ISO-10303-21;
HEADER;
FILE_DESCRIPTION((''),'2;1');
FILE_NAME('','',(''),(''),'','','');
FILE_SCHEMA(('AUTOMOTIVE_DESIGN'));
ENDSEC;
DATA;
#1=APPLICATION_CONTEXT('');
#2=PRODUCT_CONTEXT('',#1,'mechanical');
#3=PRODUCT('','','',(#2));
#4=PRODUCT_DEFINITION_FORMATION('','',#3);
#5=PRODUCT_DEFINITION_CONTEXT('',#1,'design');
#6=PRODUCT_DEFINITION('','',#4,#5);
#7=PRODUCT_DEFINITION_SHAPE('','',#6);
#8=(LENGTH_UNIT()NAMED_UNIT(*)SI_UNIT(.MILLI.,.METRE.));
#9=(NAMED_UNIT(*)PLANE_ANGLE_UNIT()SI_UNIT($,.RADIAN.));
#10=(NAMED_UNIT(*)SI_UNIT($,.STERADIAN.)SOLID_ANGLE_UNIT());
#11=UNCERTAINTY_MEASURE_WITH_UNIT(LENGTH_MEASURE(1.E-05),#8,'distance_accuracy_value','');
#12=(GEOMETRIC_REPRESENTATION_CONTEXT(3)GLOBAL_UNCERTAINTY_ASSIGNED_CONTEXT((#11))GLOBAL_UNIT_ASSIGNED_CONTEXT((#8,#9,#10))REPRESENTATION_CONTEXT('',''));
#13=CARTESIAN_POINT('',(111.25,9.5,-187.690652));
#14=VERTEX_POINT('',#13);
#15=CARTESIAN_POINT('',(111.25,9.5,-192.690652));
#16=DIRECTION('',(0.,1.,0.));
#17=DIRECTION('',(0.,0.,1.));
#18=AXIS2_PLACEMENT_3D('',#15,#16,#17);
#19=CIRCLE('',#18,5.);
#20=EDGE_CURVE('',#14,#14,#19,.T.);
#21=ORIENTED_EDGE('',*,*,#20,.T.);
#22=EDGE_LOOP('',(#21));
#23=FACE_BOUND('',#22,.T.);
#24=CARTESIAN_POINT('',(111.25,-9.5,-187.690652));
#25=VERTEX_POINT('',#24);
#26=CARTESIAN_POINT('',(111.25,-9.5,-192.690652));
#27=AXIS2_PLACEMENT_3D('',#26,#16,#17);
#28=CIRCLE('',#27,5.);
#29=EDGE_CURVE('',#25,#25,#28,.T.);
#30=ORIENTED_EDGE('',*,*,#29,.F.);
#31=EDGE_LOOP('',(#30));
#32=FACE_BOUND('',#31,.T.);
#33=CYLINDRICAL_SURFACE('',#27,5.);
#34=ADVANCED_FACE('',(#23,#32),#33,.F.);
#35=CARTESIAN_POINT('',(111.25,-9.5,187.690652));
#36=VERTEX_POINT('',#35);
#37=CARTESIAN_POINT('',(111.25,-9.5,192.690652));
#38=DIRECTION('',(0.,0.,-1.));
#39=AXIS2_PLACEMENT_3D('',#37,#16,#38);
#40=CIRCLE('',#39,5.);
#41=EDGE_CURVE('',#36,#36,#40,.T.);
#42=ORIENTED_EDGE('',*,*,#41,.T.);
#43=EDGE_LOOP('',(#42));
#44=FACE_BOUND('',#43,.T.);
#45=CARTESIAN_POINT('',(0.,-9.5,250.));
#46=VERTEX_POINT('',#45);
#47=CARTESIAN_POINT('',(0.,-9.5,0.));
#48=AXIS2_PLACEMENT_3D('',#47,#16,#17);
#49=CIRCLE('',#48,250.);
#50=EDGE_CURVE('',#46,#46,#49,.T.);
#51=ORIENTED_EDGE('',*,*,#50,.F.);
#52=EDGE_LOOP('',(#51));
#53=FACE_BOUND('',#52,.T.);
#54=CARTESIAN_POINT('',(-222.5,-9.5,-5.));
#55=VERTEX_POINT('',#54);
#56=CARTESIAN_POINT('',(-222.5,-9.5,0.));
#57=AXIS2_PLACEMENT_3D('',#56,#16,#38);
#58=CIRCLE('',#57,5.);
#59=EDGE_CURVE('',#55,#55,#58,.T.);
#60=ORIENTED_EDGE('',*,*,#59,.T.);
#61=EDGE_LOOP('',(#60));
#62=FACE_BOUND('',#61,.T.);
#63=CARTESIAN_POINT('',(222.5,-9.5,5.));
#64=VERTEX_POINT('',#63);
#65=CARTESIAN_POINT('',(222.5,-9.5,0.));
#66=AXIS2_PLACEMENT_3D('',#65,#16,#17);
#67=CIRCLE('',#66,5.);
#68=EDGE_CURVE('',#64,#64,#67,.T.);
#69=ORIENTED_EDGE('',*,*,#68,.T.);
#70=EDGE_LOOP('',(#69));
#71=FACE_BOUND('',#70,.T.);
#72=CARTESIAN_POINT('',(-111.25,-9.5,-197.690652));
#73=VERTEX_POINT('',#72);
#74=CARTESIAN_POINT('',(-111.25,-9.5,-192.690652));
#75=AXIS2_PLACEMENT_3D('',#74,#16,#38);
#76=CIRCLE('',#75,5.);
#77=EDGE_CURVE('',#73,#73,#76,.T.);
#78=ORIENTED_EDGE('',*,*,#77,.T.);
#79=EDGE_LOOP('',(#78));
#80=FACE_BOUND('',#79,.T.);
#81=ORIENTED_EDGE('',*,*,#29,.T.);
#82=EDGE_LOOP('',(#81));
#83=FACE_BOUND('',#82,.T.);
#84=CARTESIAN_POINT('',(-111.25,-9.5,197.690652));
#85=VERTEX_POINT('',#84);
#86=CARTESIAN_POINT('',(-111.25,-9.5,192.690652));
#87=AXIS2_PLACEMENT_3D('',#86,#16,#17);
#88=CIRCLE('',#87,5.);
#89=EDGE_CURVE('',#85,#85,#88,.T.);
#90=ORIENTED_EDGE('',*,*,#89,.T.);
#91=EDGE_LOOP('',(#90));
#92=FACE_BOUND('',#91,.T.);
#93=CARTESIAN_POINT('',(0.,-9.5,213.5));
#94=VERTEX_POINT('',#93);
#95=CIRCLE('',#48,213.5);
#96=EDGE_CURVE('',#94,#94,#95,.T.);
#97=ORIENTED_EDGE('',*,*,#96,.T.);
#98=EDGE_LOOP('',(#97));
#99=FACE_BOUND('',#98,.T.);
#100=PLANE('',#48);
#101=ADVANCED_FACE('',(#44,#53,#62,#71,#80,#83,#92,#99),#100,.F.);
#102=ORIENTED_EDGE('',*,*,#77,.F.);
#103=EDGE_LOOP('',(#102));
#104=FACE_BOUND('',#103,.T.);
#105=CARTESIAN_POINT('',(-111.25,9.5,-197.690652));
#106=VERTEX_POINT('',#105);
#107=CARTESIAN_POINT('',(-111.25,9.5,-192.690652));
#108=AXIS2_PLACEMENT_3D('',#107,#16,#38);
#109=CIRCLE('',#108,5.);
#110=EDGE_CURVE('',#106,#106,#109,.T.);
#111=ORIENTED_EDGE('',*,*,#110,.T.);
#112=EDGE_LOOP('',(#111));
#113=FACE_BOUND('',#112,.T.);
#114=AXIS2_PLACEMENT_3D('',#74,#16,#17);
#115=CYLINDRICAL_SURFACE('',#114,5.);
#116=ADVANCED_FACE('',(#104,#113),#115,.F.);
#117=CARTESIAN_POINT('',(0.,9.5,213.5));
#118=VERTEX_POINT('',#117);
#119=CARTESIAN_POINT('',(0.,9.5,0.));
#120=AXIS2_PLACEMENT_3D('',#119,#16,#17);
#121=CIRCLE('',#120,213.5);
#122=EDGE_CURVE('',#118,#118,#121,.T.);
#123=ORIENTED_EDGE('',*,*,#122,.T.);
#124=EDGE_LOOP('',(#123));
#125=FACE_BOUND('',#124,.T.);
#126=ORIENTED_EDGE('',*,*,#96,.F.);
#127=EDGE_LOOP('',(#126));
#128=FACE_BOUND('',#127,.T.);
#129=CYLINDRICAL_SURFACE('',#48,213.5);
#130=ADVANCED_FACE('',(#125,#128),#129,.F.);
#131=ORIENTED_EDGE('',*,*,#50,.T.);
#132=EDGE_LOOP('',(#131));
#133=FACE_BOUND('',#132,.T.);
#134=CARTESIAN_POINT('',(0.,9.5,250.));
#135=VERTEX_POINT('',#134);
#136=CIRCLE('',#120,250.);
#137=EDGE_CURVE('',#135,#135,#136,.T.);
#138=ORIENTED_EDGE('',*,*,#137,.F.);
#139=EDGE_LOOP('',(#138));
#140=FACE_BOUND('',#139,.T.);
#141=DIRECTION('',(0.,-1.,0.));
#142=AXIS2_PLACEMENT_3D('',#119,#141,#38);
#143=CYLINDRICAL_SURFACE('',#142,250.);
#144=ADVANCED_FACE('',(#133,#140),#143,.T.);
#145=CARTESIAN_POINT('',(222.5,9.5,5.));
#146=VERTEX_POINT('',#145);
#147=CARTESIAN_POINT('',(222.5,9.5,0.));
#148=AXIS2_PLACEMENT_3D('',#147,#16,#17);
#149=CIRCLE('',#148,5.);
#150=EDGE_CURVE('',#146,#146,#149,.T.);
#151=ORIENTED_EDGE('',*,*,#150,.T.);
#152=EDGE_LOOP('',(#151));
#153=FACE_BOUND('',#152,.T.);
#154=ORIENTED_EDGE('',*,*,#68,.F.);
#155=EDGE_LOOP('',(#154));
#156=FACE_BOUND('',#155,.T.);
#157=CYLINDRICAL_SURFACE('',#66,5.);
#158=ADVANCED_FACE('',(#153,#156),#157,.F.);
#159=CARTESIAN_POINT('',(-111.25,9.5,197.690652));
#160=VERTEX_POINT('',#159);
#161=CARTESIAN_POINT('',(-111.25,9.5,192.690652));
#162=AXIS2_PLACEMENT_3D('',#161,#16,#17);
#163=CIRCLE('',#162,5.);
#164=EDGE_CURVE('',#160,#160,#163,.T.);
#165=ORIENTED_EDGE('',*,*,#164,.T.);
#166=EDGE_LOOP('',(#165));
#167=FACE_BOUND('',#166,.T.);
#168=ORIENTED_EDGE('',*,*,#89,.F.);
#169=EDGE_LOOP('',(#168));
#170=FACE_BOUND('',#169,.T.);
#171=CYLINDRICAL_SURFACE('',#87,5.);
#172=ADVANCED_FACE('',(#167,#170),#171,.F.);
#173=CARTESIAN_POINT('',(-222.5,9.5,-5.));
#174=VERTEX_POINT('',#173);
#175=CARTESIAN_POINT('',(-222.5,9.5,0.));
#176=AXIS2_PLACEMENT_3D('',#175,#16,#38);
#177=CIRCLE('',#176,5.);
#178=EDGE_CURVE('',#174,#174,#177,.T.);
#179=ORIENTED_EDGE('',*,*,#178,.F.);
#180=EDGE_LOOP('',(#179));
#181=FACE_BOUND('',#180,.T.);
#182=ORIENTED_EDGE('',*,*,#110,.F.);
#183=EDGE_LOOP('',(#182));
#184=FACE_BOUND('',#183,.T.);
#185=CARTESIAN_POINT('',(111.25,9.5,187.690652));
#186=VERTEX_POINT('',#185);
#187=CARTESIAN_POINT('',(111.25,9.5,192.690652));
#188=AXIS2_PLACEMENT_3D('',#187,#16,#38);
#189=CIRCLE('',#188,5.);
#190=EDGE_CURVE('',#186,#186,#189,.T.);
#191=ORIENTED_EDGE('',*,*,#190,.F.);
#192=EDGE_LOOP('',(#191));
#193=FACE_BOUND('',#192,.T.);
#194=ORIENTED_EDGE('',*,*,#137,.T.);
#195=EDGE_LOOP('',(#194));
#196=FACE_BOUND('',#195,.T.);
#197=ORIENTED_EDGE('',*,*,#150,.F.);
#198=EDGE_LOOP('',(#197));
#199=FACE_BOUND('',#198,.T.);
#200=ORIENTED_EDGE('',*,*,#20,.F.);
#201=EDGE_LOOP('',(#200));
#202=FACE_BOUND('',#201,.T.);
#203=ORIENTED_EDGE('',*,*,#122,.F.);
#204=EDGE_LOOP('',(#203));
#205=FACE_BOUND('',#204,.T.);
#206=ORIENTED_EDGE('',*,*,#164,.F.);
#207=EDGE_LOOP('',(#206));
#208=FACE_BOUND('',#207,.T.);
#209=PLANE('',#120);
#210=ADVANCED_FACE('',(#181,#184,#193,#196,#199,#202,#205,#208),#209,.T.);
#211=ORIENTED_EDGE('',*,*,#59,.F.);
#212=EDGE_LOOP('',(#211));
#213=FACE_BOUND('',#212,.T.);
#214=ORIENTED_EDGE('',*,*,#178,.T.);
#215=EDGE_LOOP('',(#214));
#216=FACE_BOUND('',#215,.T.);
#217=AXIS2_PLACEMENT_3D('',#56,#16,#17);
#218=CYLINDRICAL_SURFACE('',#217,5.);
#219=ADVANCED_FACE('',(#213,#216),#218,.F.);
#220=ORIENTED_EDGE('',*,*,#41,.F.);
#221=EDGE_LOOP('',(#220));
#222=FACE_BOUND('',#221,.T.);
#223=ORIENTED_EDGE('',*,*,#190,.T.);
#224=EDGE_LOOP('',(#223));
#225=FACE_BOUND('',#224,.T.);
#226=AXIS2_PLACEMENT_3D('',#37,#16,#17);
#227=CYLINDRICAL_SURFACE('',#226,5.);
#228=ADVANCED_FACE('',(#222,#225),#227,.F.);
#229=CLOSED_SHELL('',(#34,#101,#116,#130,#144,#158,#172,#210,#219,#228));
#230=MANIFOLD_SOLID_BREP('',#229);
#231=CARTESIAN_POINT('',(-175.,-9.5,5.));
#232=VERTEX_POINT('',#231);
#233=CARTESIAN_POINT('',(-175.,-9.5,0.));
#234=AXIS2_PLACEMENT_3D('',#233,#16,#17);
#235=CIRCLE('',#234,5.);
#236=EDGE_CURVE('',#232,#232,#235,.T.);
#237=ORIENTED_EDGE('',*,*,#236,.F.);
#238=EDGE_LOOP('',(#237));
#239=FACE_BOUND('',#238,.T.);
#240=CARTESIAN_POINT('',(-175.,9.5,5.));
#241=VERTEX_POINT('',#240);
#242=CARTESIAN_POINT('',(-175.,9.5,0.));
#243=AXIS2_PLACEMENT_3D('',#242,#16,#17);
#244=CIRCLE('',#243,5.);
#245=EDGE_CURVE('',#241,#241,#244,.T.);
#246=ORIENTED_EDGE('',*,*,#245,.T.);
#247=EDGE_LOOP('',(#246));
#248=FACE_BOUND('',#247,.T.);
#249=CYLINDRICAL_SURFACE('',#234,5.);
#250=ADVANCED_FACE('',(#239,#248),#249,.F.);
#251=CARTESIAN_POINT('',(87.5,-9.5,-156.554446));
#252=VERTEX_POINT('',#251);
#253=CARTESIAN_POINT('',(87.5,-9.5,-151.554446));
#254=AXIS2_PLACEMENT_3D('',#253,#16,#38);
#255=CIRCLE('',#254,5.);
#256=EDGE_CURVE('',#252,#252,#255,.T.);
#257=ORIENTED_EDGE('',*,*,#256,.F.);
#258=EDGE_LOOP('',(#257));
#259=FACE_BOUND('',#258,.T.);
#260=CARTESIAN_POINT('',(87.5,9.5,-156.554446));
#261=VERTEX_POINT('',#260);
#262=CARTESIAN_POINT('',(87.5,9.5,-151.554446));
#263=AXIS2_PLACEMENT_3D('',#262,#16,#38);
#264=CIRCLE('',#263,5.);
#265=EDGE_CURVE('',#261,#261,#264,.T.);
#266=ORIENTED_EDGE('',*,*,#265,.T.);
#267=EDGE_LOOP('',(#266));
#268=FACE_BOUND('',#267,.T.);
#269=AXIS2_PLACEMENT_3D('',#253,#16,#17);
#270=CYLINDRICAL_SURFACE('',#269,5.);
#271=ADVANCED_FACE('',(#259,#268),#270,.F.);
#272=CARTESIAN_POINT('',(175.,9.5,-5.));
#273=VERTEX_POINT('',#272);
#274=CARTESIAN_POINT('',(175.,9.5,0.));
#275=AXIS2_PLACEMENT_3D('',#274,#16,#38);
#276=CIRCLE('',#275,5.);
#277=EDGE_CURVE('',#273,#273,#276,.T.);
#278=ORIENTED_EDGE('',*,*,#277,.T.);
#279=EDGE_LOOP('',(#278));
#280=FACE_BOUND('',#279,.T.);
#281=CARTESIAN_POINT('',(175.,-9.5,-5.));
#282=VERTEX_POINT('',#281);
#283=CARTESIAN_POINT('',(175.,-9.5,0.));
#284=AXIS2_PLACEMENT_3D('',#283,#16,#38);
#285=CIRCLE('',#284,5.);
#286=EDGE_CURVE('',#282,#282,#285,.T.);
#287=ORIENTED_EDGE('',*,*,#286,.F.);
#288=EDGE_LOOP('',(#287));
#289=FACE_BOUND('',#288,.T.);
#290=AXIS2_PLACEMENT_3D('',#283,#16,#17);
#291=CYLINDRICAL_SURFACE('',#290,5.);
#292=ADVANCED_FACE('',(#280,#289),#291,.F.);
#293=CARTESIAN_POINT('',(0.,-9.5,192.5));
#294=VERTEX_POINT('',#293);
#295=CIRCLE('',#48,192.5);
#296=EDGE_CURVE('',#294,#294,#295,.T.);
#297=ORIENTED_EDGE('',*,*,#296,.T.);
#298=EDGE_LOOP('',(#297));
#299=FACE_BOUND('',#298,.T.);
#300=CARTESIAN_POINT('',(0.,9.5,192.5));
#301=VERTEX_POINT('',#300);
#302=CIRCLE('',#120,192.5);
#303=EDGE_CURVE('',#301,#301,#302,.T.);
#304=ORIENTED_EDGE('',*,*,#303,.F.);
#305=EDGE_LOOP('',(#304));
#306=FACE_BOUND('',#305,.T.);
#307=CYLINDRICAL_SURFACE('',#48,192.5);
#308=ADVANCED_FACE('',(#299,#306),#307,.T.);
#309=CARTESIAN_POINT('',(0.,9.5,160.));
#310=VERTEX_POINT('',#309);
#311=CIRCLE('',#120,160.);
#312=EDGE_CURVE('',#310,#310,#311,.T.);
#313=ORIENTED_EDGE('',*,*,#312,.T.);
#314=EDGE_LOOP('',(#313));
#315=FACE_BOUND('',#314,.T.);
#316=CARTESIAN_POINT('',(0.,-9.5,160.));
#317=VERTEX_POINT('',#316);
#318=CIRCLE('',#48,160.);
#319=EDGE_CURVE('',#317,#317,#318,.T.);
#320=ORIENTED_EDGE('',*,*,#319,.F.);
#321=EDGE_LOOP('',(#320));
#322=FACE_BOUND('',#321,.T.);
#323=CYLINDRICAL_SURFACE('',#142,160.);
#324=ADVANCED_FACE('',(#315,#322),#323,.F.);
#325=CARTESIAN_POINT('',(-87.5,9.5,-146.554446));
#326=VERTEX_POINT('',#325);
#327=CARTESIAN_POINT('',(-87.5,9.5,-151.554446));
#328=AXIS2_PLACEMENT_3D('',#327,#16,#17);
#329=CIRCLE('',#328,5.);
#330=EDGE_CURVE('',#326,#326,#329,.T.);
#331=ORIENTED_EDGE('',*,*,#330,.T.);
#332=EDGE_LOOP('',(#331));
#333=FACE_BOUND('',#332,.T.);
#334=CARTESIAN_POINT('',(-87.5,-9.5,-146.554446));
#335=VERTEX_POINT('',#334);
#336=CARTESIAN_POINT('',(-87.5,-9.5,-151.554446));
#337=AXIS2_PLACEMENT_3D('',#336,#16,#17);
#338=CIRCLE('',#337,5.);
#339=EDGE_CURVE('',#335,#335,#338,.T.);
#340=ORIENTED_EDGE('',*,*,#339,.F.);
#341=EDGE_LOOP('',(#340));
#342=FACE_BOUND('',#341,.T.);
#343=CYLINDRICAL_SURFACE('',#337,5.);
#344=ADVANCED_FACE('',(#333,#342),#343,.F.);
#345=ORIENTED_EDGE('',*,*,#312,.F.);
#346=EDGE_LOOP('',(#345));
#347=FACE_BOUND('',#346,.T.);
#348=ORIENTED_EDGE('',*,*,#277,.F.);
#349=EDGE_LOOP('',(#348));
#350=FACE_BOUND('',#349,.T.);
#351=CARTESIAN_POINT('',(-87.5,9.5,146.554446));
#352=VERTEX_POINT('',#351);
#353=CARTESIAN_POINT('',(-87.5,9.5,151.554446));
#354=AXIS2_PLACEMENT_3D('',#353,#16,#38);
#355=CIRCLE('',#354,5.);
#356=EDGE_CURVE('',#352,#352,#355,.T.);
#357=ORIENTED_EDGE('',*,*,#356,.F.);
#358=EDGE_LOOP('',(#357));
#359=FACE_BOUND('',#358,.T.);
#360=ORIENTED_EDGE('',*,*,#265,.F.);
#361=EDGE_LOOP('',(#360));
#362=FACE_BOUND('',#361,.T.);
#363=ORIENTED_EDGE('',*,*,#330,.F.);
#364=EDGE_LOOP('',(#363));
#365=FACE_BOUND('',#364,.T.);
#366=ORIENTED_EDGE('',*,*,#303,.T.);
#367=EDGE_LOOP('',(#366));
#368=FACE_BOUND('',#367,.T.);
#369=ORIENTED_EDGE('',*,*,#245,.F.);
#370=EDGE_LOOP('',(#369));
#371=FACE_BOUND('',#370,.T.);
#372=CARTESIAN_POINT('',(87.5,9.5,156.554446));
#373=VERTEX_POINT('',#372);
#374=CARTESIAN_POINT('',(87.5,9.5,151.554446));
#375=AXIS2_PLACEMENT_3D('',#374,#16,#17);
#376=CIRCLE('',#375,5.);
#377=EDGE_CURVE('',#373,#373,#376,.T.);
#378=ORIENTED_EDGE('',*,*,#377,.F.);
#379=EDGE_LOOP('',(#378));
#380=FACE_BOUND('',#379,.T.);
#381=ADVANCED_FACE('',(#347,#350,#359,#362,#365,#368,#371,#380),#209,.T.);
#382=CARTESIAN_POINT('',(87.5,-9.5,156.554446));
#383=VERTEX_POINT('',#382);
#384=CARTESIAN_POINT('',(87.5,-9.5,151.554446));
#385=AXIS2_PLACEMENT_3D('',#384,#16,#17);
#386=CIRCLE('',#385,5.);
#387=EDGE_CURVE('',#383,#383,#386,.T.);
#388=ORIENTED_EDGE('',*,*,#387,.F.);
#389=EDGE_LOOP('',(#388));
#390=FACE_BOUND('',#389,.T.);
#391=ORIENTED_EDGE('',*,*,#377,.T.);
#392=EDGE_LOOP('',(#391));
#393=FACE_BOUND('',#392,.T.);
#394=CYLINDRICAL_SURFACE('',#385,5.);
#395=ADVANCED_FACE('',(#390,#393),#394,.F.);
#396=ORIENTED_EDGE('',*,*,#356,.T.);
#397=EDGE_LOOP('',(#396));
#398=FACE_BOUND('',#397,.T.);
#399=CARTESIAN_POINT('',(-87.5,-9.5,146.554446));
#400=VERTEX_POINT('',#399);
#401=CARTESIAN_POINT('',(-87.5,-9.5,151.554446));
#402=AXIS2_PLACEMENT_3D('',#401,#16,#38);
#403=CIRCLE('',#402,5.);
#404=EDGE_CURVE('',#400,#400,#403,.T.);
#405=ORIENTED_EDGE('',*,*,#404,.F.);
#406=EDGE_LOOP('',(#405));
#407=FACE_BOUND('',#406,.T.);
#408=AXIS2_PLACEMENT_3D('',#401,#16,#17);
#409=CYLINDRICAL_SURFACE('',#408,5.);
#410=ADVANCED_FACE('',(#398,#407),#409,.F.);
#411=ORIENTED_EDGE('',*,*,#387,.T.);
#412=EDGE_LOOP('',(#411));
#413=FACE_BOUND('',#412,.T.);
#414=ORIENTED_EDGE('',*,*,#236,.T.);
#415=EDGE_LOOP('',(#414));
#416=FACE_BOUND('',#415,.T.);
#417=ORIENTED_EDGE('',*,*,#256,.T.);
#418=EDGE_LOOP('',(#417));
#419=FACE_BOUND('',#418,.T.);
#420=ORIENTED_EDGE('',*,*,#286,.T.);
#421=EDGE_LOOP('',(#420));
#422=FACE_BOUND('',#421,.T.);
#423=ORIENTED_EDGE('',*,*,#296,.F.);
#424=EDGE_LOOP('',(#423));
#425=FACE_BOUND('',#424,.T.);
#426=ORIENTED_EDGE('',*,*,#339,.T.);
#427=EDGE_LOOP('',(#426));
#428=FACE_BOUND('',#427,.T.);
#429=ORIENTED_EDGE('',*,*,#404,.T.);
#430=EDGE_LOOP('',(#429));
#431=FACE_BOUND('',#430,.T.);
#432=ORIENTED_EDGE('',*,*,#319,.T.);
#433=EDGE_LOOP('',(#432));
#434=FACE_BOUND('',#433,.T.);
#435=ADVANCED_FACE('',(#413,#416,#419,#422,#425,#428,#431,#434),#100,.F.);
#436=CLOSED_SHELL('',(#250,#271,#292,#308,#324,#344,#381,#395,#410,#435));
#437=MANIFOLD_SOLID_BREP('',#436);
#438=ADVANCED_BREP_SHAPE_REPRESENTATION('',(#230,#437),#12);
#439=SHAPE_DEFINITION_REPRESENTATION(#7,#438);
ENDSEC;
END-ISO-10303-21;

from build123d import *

# Parameters (mm, degrees)
SKETCH1_R           = 250
SKETCH1_R_2         = 160
BOSS_EXTRUDE1_DEPTH = 9.5
SKETCH2_R           = 213.5
SKETCH2_R_2         = 192.5
SKETCH2_R_3         = 5
CUT_EXTRUDE1_DEPTH  = 355.063553617
SKETCH3_R           = 5
CUT_EXTRUDE2_DEPTH  = 355.063553617


with BuildPart() as part:
    # Sketch1 → Boss-Extrude1 (new, symmetric)
    with BuildSketch(Plane(origin=(0, 0, 0), x_dir=(1, 0, 0), z_dir=(0, 1, 0))):
        with Locations(Location((0, 0, 0), (0, 0, 270))):
            Circle(SKETCH1_R)
        with Locations(Location((0, 0, 0), (0, 0, 270))):
            Circle(SKETCH1_R_2, mode=Mode.SUBTRACT)
    extrude(amount=BOSS_EXTRUDE1_DEPTH, both=True)

    # Sketch2 → Cut-Extrude1 (cut, through all)
    # profile 1 of 7: a face of its own
    with BuildSketch(Plane(origin=(0, 9.5, 0), x_dir=(1, 0, 0), z_dir=(0, 1, 0))):
        with Locations(Location((0, 0, 0), (0, 0, 270))):
            Circle(SKETCH2_R)
        with Locations(Location((0, 0, 0), (0, 0, 270))):
            Circle(SKETCH2_R_2, mode=Mode.SUBTRACT)
    # profile 2 of 7: a face of its own
    with BuildSketch(Plane(origin=(0, 9.5, 0), x_dir=(1, 0, 0), z_dir=(0, 1, 0))):
        with Locations(Location((111.25, 192.690652342, 0), (0, 0, 270))):
            Circle(SKETCH2_R_3)
    # profile 3 of 7: a face of its own
    with BuildSketch(Plane(origin=(0, 9.5, 0), x_dir=(1, 0, 0), z_dir=(0, 1, 0))):
        with Locations(Location((222.5, 0, 0), (0, 0, 270))):
            Circle(SKETCH2_R_3)
    # profile 4 of 7: a face of its own
    with BuildSketch(Plane(origin=(0, 9.5, 0), x_dir=(1, 0, 0), z_dir=(0, 1, 0))):
        with Locations(Location((-222.5, 0, 0), (0, 0, 90))):
            Circle(SKETCH2_R_3)
    # profile 5 of 7: a face of its own
    with BuildSketch(Plane(origin=(0, 9.5, 0), x_dir=(1, 0, 0), z_dir=(0, 1, 0))):
        with Locations(Location((-111.25, 192.690652342, 0), (0, 0, 90))):
            Circle(SKETCH2_R_3)
    # profile 6 of 7: a face of its own
    with BuildSketch(Plane(origin=(0, 9.5, 0), x_dir=(1, 0, 0), z_dir=(0, 1, 0))):
        with Locations(Location((111.25, -192.690652342, 0), (0, 0, 90))):
            Circle(SKETCH2_R_3)
    # profile 7 of 7: a face of its own
    with BuildSketch(Plane(origin=(0, 9.5, 0), x_dir=(1, 0, 0), z_dir=(0, 1, 0))):
        with Locations(Location((-111.25, -192.690652342, 0), (0, 0, 270))):
            Circle(SKETCH2_R_3)
    extrude(amount=-CUT_EXTRUDE1_DEPTH, mode=Mode.SUBTRACT)


with BuildPart() as cut_extrude1_piece_1:
    # of the separate pieces the step leaves, piece 1, a body of its own (cut_extrude1_pieces)
    add(part.part.solids().sort_by_distance((0, -9.5, 250))[0])


with BuildPart() as cut_extrude1_piece_2:
    # of the separate pieces the step leaves, piece 2, a body of its own (cut_extrude1_pieces)
    add(part.part.solids().sort_by_distance((0, -9.5, 192.5))[0])

    # Sketch3 → Cut-Extrude2 (cut, through all)
    with BuildSketch(Plane(origin=(0, 9.5, 0), x_dir=(1, 0, 0), z_dir=(0, 1, 0))):
        with Locations(Location((-87.5, 151.554445662, 0), (0, 0, 270))):
            Circle(SKETCH3_R)
        with Locations(Location((-175, 0, 0), (0, 0, 270))):
            Circle(SKETCH3_R)
        with Locations(Location((175, 0, 0), (0, 0, 90))):
            Circle(SKETCH3_R)
        with Locations(Location((87.5, 151.554445662, 0), (0, 0, 90))):
            Circle(SKETCH3_R)
        with Locations(Location((87.5, -151.554445662, 0), (0, 0, 270))):
            Circle(SKETCH3_R)
        with Locations(Location((-87.5, -151.554445662, 0), (0, 0, 90))):
            Circle(SKETCH3_R)
    extrude(amount=-CUT_EXTRUDE2_DEPTH, mode=Mode.SUBTRACT)


solid = Compound([cut_extrude1_piece_1.part, cut_extrude1_piece_2.part])
